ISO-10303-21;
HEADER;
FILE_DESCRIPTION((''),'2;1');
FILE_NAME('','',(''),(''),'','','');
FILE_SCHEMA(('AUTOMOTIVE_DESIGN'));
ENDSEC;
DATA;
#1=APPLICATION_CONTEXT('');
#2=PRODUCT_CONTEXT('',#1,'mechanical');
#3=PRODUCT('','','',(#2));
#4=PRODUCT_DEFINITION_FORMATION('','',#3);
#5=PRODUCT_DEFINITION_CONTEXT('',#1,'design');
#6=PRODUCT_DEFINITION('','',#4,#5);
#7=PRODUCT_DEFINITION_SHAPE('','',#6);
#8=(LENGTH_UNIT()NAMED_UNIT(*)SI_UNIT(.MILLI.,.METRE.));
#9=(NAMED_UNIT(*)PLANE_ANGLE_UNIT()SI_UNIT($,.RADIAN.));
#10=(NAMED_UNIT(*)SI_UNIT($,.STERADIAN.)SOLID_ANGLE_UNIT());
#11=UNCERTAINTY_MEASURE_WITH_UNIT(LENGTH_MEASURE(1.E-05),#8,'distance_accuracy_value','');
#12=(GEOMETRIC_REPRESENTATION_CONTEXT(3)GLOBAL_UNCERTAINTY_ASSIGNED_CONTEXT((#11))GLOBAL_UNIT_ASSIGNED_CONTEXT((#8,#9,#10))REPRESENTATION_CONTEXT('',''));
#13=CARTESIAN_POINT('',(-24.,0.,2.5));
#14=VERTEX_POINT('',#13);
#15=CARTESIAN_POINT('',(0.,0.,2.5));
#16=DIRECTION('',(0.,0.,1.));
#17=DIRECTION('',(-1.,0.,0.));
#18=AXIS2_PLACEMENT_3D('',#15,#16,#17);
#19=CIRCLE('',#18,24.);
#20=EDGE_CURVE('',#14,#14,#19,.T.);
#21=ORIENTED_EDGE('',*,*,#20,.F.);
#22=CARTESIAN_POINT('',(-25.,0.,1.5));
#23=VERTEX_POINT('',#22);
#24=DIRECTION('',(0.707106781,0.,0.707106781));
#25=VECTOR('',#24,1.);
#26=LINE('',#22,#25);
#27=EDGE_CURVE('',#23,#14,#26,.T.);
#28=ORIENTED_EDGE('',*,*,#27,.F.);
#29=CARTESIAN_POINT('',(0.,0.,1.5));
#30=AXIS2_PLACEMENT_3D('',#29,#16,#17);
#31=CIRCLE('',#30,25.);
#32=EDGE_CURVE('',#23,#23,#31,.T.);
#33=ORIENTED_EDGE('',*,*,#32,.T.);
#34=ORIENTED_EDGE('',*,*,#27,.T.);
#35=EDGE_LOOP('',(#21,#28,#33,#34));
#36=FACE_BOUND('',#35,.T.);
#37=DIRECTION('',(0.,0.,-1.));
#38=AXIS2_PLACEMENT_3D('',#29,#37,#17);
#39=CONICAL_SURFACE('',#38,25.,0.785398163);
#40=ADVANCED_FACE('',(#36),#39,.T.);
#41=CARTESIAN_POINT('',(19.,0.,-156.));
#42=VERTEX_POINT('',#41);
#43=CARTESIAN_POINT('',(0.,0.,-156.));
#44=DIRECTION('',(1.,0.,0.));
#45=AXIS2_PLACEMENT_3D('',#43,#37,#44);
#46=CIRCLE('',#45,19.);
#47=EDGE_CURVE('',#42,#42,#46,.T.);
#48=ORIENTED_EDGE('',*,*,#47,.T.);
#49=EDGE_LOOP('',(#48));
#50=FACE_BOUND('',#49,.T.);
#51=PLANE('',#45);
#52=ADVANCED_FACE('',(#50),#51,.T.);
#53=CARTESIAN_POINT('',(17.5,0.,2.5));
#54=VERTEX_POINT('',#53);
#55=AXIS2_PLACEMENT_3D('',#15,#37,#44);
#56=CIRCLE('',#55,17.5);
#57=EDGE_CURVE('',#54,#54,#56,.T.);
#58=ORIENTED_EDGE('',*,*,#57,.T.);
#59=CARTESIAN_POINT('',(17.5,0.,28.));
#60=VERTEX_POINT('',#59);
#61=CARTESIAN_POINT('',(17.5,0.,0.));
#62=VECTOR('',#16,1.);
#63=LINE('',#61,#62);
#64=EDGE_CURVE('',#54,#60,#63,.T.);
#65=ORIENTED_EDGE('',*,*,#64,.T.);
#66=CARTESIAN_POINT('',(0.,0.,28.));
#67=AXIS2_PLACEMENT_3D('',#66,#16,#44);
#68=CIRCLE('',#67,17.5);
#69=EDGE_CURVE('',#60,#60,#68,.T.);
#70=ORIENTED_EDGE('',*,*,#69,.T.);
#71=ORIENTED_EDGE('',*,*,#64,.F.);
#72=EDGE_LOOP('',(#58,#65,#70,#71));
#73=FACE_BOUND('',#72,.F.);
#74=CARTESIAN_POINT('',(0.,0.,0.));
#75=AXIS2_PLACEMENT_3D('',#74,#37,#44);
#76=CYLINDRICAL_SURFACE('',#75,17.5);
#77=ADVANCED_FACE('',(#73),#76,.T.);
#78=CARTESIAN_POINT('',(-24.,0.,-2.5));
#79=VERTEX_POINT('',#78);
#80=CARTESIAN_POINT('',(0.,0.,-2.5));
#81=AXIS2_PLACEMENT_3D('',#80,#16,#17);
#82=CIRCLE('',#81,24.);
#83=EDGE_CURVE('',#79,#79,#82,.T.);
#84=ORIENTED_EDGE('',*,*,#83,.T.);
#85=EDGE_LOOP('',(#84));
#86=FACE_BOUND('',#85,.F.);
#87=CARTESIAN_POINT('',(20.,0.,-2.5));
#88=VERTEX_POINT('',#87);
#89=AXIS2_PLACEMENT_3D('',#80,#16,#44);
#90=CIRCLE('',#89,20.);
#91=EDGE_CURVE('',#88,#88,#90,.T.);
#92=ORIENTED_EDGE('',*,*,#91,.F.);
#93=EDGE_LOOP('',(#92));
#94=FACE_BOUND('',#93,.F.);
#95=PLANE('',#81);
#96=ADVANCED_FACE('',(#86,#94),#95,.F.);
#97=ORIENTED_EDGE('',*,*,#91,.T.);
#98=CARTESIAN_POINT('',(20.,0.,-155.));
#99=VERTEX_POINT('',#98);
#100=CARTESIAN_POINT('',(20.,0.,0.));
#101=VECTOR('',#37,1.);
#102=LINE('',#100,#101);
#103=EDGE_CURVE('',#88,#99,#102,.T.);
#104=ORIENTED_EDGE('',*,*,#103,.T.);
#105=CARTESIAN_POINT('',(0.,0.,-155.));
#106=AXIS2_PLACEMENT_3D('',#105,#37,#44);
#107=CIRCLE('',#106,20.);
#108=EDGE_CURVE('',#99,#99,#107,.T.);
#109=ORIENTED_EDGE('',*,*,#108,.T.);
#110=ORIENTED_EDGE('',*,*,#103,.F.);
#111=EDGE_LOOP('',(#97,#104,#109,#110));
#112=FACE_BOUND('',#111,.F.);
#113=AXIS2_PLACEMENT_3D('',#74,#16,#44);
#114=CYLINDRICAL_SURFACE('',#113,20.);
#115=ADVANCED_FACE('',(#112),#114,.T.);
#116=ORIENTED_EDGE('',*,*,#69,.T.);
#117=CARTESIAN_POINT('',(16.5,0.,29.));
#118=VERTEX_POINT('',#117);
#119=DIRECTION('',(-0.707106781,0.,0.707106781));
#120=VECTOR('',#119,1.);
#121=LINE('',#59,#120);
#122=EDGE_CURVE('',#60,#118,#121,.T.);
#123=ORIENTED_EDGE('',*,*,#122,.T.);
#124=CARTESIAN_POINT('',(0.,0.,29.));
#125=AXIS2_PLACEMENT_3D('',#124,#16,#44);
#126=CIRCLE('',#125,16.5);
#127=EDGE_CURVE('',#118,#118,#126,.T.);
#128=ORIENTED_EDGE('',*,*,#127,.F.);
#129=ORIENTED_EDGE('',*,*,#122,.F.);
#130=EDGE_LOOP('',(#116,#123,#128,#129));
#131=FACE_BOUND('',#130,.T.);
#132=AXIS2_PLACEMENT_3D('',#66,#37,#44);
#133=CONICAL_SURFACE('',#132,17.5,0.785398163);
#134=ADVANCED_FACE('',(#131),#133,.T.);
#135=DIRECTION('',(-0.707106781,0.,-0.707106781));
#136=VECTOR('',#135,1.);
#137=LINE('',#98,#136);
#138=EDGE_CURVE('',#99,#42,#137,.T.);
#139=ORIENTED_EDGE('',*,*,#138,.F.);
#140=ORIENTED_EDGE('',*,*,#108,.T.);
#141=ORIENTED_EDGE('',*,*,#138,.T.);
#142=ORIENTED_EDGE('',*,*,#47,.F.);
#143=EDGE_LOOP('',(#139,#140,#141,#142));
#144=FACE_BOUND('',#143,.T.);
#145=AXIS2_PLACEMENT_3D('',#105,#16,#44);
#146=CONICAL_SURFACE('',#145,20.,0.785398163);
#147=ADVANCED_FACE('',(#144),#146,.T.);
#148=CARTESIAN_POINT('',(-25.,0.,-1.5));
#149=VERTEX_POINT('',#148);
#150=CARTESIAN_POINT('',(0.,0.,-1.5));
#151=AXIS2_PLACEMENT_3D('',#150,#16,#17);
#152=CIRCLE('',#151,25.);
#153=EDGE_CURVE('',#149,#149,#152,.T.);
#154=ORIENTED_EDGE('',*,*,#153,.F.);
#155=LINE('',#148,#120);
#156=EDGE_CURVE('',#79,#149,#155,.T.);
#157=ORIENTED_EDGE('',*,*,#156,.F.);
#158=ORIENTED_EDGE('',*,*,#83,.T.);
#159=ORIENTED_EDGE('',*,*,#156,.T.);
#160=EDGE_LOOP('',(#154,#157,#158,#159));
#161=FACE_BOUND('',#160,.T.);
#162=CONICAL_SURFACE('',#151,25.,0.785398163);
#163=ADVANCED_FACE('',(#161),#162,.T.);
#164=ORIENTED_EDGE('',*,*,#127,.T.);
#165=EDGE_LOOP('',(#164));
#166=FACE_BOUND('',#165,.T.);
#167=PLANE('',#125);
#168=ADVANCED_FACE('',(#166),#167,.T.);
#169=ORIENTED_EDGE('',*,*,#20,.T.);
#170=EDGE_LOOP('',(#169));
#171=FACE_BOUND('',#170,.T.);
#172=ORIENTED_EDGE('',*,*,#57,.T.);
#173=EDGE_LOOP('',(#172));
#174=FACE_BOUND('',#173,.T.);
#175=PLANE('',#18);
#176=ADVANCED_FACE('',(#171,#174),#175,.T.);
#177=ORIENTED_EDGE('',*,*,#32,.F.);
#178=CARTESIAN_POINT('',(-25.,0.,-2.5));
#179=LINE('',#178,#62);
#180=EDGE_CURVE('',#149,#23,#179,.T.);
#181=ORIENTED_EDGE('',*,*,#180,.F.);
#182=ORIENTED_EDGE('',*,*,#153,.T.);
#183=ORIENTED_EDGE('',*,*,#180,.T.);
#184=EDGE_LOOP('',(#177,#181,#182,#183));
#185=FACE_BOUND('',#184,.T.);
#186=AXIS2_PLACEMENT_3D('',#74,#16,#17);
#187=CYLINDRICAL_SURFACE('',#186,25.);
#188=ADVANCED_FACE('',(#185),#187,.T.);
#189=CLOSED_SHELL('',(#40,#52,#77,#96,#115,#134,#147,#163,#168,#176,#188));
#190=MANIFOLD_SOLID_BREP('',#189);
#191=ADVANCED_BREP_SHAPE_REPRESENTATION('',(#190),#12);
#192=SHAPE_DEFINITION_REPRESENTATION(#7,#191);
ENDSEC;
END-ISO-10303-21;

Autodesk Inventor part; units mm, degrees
ref_plane "YZ Plane" through (0, 0, 0) normal (1, 0, 0) x (0, 1, 0)
ref_plane "XZ Plane" through (0, 0, 0) normal (0, 1, 0) x (-1, 0, 0)
ref_plane "XY Plane" through (0, 0, 0) normal (0, 0, 1) x (1, 0, 0)
sketch "Esboço1" plane through (0, 0, 0) normal (0, 0, 1) x (-1, 0, 0)
  circle A0 centre (0, 0) radius 25
  dimension "d0" = 50
extrude "Extrusão1" add sketch "Esboço1" along normal mid plane 5
sketch "Esboço2" plane through (0, 0, 0) normal (0, 0, -1) x (1, 0, 0)
  circle A0 centre (0, 0) radius 20
  dimension "d3" = 40
extrude "Extrusão2" add sketch "Esboço2" along normal blind 156
sketch "Esboço3" plane through (0, 0, 0) normal (0, 0, 1) x (1, 0, 0)
  circle A0 centre (0, 0) radius 17.5
  dimension "d6" = 35
extrude "Extrusão3" add sketch "Esboço3" along normal blind 29
chamfer "Chanfro1" distance 1 angle 45 1 edges at (-20, 0, -156)
chamfer "Chanfro2" distance 1 angle 45 3 edges at (25, 0, -2.5) (25, 0, 2.5) (-17.5, 0, 29)
properties material "Liga de aço"
